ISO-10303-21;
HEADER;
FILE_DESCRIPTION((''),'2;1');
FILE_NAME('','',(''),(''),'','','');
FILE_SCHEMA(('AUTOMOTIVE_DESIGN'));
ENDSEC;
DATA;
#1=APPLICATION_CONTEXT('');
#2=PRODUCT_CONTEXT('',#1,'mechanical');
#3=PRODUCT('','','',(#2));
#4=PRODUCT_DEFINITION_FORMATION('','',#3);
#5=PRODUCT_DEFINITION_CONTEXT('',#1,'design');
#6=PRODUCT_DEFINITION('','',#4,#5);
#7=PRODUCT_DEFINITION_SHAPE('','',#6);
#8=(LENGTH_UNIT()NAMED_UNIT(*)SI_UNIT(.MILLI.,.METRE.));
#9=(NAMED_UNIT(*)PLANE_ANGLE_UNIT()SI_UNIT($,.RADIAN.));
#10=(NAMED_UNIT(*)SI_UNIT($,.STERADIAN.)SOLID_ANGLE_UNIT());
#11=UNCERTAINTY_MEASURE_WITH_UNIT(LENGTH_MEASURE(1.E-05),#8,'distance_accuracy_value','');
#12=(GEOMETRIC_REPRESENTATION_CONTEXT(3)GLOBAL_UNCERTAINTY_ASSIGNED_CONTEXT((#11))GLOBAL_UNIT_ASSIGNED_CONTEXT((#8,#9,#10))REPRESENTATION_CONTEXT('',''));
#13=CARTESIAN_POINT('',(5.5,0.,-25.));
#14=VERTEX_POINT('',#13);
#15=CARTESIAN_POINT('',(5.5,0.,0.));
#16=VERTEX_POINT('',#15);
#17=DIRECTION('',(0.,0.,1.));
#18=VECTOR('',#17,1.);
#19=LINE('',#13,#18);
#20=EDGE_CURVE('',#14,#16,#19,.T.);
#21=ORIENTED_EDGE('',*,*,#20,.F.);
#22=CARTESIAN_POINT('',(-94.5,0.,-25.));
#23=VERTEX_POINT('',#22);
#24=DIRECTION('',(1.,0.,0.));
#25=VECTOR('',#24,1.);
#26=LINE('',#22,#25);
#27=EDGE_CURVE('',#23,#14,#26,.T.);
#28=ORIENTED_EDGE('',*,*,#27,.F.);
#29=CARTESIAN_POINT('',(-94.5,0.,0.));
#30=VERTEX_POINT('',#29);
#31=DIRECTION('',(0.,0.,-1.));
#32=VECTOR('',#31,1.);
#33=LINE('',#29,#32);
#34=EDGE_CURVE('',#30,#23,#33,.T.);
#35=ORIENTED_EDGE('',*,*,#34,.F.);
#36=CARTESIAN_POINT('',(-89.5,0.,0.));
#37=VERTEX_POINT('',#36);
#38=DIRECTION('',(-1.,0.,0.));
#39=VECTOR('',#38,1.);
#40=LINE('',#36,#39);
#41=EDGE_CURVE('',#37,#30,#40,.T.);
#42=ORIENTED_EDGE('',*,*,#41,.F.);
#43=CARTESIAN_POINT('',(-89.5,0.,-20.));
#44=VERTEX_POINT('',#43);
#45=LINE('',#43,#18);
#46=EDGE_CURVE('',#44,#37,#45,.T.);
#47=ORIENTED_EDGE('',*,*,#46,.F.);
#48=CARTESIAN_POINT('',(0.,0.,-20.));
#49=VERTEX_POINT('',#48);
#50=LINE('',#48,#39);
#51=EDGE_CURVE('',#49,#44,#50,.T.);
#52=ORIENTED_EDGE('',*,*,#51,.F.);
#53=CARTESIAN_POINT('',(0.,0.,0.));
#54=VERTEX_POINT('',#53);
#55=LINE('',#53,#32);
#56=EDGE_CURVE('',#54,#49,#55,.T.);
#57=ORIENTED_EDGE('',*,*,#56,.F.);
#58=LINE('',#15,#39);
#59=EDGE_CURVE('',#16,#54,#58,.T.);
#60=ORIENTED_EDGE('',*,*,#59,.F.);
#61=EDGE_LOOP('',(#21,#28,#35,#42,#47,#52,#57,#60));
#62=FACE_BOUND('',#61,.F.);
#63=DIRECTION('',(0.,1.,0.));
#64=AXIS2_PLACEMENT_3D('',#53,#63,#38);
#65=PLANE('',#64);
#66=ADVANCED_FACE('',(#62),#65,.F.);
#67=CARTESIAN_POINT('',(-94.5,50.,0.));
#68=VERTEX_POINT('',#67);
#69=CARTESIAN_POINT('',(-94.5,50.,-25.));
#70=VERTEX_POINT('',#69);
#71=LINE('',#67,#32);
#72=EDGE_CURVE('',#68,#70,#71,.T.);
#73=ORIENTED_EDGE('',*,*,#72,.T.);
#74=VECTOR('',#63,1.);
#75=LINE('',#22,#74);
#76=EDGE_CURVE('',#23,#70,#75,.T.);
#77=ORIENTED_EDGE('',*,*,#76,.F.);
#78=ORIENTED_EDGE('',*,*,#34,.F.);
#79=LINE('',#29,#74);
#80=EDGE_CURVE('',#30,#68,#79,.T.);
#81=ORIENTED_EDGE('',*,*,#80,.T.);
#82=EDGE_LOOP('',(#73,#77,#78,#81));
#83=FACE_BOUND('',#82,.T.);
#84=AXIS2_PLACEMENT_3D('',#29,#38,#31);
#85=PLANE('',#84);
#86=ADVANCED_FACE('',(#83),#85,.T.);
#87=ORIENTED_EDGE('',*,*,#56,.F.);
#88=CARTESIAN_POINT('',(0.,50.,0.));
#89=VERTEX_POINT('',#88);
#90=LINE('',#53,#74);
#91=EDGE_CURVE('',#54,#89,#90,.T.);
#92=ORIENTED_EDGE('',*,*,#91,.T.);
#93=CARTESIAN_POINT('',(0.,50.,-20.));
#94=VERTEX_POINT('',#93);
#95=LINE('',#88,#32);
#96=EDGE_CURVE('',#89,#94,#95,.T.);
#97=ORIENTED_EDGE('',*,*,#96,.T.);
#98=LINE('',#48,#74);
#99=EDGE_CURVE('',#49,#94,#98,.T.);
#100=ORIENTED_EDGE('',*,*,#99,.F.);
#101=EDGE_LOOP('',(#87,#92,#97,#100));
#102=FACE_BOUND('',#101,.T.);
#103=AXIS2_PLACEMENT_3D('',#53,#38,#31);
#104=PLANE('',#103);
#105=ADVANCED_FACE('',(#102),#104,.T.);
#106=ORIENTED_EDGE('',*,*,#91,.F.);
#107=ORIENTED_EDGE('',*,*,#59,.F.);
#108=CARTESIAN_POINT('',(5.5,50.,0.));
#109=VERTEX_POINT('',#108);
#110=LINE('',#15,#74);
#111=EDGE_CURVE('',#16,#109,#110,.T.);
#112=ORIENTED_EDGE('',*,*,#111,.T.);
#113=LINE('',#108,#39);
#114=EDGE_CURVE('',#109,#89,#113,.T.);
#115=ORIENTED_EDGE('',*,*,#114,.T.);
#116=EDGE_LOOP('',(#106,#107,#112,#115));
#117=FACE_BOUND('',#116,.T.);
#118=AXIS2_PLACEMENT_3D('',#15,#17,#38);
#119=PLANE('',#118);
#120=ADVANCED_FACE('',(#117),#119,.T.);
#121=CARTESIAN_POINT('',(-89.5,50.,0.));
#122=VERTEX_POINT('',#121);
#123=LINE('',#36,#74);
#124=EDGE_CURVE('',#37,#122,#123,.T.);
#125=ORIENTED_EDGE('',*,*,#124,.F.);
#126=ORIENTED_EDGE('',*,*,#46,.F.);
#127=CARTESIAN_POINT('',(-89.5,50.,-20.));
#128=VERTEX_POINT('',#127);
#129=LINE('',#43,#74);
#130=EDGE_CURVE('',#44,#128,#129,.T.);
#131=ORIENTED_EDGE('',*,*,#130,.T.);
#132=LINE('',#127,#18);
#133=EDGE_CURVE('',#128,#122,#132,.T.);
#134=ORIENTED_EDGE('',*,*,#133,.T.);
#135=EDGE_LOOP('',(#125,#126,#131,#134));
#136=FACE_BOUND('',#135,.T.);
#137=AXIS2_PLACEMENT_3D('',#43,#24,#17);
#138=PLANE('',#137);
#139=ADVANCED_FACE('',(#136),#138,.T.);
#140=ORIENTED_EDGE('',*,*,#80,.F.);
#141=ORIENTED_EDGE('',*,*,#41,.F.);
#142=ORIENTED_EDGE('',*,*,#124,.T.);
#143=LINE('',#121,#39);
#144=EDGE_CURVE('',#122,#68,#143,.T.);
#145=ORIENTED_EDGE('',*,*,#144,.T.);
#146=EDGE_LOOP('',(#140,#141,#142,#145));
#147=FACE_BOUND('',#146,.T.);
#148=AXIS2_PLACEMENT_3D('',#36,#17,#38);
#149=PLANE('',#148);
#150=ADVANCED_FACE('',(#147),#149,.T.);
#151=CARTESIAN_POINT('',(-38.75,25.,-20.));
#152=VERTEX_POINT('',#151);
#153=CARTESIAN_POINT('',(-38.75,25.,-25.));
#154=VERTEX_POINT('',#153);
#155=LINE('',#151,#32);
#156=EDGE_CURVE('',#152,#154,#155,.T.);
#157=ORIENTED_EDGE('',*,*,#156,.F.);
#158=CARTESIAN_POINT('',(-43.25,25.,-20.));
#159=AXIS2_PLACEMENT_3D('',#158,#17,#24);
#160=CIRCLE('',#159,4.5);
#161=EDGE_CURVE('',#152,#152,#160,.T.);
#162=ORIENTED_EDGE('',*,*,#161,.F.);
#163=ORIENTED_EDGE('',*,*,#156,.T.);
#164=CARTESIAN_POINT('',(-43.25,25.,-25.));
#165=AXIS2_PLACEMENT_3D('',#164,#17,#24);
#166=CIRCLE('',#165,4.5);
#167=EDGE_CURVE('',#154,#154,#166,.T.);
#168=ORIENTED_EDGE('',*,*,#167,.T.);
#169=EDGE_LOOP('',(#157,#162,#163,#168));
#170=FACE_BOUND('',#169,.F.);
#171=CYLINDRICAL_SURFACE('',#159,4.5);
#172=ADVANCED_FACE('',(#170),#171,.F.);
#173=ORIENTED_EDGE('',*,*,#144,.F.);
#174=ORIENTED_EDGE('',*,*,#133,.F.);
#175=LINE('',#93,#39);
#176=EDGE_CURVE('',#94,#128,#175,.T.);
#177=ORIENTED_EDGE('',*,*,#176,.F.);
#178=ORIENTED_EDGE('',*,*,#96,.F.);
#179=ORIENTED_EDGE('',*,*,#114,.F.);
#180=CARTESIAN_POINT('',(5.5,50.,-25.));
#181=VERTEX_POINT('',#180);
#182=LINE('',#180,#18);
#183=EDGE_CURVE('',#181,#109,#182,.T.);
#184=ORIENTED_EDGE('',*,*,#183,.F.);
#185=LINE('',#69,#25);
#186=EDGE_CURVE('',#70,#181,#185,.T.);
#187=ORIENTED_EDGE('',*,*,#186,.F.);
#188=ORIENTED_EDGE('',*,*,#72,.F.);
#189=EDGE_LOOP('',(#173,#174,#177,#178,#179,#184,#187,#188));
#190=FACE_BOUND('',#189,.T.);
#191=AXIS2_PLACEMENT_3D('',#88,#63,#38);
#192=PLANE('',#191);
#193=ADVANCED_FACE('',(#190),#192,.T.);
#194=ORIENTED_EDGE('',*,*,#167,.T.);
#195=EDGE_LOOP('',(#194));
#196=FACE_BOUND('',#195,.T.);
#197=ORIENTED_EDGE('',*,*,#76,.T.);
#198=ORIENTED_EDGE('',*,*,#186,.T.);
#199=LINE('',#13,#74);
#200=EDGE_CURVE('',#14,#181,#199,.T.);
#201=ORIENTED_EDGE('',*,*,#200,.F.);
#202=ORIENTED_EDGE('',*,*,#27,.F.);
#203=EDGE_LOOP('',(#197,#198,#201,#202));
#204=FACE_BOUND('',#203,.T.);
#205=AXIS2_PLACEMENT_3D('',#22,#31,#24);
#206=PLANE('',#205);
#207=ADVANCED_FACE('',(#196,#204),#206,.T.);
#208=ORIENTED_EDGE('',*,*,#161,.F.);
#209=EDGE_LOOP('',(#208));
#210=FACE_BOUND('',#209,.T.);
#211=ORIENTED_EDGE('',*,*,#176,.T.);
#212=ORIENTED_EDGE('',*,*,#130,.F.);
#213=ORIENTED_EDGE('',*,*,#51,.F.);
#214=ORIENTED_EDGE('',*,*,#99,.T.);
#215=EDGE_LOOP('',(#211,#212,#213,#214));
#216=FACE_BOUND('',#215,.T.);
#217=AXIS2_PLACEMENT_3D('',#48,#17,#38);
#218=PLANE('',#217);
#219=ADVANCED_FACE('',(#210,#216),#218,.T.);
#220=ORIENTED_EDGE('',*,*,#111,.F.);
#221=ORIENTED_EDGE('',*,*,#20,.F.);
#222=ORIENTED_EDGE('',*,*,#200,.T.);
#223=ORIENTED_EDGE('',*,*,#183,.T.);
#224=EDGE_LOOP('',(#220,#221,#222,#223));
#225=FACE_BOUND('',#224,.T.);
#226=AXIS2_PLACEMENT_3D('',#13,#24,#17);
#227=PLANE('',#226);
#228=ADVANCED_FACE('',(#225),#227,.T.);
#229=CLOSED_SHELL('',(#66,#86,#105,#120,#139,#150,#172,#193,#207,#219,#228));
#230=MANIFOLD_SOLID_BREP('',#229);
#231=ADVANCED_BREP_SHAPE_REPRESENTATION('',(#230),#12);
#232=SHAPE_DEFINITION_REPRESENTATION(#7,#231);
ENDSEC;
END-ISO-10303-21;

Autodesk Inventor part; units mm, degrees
ref_plane "YZ Plane" through (0, 0, 0) normal (1, 0, 0) x (0, 1, 0)
ref_plane "XZ Plane" through (0, 0, 0) normal (0, 1, 0) x (-1, 0, 0)
ref_plane "XY Plane" through (0, 0, 0) normal (0, 0, 1) x (1, 0, 0)
sketch "Sketch1" plane through (0, 0, 0) normal (0, 1, 0) x (-1, 0, 0)
  line L0 (0, 0) -> (0, -20)
  line L1 (0, -20) -> (89.5, -20)
  line L2 (89.5, -20) -> (89.5, 0)
  line L3 (89.5, 0) -> (94.5, 0)
  line L4 (94.5, 0) -> (94.5, -25)
  line L5 (94.5, -25) -> (-5.5, -25)
  line L6 (-5.5, -25) -> (-5.5, 0)
  line L7 (-5.5, 0) -> (0, 0)
  line L8 (0, 1280) -> (0, -20) projected
  line L9 (89.5, -20) -> (89.5, 1280) projected
  line L10 (0, -20) -> (0, 1280) projected
  line L11 (89.5, 1280) -> (89.5, -20) projected
  dimension "d0" = 20
  dimension "d1" = 89.5
  dimension "d2" = 5
  dimension "d3" = 25
  dimension "d4" = 100
  dimension "d10" = 89.5
  dimension "d12" = 89.5
extrude "Extrusion1" add sketch "Sketch1" along normal blind 50
sketch "Sketch2" plane through (-89.5, 0, -20) normal (0, 0, 1) x (1, 0, 0)
  line L0 (89.5, 0) -> (0, 0) projected
  line L1 (89.5, 0) -> (89.5, 50) projected
  line L2 (0, 50) -> (89.5, 50) projected
  line L3 (0, 0) -> (0, 50) projected
  circle A0 centre (46.25, 25) radius 4.5
  line L4 (-5, 0) -> (-5, 50) projected
  dimension "d7" = 9
  dimension "d11" = 51.25
extrude "Extrusion2" cut sketch "Sketch2" against normal blind 50 contours A0
equation "\"d1\" = d10"
properties part number "flange"
